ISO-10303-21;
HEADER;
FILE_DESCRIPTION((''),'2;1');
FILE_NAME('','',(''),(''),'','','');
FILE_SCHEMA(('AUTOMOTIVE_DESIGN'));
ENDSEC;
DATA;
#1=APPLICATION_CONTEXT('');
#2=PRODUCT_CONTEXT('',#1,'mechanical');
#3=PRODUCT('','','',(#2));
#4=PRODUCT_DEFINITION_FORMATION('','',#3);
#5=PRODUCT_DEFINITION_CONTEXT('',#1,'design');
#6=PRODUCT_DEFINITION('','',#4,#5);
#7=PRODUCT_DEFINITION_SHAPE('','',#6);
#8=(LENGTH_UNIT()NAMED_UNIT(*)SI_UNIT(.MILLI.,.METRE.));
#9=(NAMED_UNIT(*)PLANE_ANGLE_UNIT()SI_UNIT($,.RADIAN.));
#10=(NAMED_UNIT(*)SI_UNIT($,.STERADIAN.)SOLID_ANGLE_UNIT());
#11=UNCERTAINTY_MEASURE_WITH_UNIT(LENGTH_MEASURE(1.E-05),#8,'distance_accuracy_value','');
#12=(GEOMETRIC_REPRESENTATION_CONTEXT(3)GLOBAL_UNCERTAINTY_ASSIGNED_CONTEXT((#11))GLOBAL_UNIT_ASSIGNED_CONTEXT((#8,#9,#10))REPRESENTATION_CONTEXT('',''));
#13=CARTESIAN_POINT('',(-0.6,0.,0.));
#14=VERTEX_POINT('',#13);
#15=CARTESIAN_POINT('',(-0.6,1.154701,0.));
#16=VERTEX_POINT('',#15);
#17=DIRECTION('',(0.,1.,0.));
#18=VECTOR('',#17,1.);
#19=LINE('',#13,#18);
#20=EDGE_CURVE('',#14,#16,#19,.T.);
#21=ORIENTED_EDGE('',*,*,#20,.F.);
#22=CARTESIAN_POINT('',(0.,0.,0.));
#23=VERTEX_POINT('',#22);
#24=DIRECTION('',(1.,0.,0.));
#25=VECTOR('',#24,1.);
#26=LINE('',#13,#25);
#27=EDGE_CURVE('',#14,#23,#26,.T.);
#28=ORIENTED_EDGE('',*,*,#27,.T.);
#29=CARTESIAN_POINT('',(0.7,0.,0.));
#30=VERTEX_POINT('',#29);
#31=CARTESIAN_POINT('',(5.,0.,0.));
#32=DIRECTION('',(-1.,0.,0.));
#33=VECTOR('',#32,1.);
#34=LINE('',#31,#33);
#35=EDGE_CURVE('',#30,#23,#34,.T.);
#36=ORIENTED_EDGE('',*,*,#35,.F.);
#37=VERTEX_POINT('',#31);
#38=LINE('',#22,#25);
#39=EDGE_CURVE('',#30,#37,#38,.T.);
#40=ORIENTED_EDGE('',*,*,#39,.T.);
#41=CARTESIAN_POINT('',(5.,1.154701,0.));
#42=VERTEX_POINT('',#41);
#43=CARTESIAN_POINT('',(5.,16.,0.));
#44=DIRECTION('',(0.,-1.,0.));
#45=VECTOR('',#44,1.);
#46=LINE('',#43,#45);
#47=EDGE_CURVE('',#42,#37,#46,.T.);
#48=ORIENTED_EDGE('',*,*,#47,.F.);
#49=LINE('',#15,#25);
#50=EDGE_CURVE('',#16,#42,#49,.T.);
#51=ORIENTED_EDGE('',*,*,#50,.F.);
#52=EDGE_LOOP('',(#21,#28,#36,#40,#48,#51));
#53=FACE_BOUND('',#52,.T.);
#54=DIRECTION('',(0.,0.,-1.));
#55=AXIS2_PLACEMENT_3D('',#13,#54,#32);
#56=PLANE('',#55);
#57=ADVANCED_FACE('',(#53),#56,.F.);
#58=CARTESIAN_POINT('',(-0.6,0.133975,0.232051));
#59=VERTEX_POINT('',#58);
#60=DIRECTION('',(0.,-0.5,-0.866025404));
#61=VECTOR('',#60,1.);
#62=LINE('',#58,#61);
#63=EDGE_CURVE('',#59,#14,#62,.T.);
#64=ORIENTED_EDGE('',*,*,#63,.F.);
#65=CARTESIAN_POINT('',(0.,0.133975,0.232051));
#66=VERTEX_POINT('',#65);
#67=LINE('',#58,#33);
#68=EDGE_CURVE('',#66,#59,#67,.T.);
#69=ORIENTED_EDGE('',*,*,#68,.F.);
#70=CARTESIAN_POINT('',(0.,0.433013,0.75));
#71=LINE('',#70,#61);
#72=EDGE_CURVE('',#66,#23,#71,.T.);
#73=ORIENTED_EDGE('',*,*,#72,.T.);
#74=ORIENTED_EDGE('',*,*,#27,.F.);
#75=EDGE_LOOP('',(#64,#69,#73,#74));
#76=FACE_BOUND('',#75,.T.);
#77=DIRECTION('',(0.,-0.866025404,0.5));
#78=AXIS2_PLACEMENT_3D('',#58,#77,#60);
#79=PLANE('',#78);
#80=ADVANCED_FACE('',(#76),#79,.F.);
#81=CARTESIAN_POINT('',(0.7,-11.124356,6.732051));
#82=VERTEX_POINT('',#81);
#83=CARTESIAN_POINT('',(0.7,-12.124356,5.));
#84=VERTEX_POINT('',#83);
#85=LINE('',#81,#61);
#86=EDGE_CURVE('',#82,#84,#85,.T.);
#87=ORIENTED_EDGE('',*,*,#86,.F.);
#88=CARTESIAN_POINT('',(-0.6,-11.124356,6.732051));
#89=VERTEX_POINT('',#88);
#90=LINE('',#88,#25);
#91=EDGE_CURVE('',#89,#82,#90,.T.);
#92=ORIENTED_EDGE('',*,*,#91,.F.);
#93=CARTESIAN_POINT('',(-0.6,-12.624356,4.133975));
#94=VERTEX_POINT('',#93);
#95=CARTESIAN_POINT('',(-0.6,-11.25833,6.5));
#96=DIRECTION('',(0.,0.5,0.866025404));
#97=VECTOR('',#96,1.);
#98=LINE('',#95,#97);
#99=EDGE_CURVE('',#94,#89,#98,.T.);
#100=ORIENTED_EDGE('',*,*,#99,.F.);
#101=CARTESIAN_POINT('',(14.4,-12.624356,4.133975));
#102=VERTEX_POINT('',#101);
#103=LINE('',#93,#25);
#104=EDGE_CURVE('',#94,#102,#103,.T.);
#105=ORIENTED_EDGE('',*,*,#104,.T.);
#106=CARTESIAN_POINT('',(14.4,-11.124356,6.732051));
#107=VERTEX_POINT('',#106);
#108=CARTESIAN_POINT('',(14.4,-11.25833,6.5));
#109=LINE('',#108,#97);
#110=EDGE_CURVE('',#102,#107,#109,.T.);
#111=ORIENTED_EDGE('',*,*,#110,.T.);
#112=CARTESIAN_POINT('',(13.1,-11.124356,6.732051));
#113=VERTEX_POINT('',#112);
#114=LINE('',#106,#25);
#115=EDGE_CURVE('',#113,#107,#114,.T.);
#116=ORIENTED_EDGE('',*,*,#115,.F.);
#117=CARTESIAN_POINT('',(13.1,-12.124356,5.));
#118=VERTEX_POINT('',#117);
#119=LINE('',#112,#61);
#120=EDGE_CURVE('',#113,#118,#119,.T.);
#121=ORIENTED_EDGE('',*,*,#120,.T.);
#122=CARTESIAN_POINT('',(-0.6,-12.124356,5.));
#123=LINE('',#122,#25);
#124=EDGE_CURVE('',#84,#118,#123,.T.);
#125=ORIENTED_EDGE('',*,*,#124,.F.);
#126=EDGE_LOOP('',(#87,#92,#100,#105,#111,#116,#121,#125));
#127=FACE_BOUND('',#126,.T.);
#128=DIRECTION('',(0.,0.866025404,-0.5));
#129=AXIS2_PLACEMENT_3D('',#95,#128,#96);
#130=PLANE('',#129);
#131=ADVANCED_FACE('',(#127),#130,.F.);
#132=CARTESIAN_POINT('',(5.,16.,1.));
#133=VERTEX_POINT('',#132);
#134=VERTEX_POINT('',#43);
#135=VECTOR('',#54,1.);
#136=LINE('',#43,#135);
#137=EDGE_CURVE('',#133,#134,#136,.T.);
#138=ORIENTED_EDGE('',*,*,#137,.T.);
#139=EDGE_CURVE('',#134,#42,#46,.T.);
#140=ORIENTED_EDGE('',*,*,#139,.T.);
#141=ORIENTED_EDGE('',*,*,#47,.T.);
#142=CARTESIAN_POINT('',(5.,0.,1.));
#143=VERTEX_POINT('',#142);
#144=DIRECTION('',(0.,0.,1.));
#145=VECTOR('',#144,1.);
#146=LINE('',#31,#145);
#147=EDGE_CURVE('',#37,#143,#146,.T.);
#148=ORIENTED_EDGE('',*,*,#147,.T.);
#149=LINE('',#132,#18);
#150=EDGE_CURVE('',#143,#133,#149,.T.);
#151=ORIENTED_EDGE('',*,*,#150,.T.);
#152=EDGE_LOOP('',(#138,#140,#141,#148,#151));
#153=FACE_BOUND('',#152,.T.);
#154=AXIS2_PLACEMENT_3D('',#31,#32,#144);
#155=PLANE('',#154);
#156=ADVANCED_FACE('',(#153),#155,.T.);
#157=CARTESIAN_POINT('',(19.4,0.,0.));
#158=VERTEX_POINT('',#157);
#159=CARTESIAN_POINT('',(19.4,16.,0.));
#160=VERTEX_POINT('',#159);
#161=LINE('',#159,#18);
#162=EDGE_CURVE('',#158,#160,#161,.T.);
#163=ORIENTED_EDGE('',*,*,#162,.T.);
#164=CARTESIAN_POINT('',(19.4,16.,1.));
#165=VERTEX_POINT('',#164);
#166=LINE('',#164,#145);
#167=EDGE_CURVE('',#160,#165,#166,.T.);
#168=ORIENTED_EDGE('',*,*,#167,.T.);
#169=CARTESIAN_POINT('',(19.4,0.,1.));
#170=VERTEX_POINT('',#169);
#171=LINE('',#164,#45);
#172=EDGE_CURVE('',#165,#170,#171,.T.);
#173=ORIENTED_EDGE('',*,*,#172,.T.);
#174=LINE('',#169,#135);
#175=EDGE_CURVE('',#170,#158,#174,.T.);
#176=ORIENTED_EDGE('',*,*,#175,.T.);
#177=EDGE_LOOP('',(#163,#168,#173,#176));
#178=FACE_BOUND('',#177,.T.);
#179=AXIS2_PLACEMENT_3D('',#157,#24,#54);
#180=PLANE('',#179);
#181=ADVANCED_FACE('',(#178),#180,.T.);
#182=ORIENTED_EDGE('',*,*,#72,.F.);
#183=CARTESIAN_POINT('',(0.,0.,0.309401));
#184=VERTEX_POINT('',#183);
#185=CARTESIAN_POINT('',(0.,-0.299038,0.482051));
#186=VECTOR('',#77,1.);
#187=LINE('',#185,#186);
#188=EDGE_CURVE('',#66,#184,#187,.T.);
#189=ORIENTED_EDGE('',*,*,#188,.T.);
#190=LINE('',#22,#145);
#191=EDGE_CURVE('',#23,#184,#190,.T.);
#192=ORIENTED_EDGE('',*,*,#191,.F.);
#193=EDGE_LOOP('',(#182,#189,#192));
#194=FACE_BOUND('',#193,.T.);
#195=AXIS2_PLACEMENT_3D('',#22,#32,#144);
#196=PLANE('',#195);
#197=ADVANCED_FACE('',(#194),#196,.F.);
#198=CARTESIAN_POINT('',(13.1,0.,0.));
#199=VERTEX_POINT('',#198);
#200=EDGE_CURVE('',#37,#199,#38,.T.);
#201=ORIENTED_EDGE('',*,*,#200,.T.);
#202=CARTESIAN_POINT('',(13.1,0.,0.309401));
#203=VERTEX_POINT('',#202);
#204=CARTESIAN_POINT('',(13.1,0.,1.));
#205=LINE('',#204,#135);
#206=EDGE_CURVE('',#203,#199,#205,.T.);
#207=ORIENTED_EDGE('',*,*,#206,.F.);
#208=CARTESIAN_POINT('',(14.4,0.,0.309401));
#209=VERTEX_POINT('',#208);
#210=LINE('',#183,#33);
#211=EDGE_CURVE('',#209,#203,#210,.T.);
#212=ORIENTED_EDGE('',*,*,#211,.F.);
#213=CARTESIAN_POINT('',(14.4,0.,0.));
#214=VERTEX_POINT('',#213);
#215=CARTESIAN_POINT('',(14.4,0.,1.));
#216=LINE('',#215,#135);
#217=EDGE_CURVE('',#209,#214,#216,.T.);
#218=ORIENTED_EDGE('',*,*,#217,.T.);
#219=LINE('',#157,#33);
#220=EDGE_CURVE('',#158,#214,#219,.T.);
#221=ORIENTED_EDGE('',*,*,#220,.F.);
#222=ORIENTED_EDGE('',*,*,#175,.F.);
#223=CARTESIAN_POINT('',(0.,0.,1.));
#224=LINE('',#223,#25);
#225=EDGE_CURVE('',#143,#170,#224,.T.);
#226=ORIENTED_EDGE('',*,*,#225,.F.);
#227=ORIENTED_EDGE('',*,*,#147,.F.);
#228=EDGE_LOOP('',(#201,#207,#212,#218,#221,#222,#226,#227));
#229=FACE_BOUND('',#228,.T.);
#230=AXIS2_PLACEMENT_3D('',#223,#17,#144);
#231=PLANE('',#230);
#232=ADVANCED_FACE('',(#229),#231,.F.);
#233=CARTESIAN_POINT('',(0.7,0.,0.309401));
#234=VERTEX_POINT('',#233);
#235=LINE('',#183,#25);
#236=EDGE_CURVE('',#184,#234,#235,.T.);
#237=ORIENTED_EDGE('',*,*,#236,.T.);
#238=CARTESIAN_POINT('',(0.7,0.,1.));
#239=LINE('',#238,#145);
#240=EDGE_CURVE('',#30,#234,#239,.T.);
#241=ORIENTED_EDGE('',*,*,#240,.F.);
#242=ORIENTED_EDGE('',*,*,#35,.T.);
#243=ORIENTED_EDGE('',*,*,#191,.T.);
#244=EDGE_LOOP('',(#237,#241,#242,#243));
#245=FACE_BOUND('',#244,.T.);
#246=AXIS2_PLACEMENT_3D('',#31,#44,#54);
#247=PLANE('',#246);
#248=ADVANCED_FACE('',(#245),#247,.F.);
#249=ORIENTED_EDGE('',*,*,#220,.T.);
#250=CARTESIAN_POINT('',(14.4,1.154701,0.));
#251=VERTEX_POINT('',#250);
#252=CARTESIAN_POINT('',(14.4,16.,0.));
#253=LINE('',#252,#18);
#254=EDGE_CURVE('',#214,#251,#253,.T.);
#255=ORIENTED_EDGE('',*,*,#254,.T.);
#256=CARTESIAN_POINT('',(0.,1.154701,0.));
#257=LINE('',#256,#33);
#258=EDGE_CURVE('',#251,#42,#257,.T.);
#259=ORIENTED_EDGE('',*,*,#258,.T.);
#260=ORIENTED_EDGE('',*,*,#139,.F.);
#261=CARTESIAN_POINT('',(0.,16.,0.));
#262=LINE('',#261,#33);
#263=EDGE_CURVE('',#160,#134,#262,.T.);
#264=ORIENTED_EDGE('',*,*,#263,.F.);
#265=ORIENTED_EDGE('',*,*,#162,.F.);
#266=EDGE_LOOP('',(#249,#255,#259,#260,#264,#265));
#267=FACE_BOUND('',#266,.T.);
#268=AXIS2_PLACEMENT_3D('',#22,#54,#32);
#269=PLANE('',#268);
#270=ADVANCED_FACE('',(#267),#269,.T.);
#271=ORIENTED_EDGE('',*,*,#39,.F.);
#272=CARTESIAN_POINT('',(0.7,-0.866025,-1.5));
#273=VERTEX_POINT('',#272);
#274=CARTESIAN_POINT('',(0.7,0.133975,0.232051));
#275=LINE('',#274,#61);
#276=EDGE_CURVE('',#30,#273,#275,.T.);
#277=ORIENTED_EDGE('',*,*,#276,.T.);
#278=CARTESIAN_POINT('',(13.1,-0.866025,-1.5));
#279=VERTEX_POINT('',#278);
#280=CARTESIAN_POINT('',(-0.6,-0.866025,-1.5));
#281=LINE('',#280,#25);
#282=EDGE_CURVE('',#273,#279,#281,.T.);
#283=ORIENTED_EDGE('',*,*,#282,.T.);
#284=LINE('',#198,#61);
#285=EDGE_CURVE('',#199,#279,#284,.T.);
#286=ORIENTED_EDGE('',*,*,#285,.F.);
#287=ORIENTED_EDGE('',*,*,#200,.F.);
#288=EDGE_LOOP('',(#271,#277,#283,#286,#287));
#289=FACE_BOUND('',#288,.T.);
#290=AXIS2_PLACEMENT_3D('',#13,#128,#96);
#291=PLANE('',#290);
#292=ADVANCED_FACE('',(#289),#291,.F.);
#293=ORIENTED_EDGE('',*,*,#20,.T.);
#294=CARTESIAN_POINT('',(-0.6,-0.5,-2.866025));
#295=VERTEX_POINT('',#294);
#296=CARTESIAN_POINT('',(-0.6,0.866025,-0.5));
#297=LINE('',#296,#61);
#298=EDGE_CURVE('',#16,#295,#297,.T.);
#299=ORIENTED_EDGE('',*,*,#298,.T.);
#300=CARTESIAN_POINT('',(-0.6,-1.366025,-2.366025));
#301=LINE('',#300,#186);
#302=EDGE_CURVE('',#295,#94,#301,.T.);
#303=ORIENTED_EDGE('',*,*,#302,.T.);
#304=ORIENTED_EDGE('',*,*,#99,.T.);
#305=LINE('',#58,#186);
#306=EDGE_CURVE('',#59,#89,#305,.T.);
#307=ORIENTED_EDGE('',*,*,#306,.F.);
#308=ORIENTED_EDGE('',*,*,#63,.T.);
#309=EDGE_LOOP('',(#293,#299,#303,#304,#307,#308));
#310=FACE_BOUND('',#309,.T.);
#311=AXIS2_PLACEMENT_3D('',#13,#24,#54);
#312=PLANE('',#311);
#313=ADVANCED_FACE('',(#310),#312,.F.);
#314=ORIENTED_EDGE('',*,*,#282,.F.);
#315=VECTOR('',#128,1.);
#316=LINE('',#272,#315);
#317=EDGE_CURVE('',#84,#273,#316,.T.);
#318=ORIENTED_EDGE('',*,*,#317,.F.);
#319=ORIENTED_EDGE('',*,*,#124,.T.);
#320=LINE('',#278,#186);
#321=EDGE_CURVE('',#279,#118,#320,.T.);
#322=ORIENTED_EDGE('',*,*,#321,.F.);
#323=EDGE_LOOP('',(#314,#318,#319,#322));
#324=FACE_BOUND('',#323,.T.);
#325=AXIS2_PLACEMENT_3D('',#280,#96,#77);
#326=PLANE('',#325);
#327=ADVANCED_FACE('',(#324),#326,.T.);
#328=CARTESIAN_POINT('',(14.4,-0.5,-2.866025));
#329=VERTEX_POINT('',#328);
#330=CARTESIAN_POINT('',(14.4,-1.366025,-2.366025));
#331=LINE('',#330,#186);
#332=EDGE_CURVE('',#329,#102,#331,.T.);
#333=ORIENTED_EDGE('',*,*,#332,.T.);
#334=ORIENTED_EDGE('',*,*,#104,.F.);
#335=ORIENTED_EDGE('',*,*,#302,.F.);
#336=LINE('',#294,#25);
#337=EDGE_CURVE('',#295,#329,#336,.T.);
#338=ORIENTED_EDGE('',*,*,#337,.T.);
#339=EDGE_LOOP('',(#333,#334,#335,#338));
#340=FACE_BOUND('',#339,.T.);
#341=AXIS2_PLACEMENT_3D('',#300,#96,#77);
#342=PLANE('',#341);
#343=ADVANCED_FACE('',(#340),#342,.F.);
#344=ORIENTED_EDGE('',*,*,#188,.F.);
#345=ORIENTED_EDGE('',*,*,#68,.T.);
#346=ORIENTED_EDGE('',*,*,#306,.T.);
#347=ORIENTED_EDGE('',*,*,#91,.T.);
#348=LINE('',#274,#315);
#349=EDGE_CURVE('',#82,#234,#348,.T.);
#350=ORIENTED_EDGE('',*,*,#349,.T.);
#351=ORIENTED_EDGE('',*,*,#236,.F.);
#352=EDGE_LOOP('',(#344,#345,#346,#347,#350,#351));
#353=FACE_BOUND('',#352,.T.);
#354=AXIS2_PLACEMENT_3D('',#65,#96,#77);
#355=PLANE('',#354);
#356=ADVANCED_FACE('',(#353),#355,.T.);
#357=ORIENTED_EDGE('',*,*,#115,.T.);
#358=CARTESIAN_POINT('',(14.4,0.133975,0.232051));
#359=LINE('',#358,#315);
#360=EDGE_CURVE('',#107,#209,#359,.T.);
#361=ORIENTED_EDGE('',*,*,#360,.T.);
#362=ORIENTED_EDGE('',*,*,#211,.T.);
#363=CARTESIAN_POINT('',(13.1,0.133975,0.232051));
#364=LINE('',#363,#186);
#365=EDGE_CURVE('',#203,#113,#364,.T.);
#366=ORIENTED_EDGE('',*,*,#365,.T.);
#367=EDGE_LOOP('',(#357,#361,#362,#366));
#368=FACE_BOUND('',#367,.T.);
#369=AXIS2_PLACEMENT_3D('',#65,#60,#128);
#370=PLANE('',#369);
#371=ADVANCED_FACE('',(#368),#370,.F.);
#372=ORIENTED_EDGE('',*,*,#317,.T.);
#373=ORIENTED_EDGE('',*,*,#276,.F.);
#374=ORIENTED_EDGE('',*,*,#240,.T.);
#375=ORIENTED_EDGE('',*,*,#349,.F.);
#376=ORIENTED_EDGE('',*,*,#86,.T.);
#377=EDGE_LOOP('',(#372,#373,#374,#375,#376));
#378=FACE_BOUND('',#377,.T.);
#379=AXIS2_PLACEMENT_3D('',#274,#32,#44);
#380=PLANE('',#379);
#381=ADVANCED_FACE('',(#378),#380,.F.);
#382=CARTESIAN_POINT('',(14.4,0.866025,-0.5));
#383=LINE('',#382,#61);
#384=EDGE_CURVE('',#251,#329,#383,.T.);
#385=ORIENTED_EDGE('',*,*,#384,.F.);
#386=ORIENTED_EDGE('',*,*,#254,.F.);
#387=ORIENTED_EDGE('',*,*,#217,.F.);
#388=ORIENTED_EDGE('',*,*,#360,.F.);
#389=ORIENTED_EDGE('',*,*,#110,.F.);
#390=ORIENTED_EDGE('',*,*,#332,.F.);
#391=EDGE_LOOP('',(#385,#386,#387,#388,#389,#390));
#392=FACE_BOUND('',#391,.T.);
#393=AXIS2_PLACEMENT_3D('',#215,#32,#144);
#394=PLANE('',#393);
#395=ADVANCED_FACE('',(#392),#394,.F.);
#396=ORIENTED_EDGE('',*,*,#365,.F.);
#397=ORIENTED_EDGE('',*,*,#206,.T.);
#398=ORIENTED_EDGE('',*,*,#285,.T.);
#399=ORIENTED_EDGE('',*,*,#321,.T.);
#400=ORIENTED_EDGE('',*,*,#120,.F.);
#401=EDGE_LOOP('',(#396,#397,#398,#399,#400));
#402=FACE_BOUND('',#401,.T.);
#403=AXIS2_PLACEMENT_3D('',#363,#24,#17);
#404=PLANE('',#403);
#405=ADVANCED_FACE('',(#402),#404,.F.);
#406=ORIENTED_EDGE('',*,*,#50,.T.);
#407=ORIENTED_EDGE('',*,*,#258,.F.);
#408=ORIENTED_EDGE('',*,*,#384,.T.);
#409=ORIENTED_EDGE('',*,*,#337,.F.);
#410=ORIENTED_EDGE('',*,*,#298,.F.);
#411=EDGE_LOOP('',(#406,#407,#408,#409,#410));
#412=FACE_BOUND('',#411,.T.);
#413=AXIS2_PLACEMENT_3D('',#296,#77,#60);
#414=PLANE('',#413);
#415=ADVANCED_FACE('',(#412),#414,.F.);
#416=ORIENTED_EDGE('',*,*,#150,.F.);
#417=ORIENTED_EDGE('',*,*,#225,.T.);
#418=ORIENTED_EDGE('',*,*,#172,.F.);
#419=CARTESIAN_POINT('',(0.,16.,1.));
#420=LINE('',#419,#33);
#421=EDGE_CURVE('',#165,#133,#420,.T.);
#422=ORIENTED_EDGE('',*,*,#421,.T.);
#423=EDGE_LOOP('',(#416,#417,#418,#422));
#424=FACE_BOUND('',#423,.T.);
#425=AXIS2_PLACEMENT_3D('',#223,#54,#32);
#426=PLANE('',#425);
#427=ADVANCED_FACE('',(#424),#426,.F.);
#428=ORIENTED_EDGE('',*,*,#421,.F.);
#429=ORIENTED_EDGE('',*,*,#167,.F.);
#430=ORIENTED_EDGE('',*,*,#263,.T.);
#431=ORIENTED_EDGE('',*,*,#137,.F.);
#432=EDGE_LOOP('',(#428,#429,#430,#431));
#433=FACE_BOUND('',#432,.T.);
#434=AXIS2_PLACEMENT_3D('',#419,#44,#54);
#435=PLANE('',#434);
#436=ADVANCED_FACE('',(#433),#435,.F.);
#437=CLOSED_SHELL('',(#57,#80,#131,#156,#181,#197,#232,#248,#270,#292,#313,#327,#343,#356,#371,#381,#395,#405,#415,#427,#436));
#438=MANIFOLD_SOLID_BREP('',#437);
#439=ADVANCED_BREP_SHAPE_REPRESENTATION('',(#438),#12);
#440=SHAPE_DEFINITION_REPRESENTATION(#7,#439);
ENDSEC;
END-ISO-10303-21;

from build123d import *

# Parameters (mm, degrees)
SKIZZE1_W                       = 14.4
SKIZZE1_H                       = 16
AUFSATZ_LINEAR_AUSTRAGEN1_DEPTH = 1
AUFSATZ_LINEAR_AUSTRAGEN4_DEPTH = 15
SKIZZE9_W                       = 1.3
SKIZZE9_H                       = 13
AUFSATZ_LINEAR_AUSTRAGEN5_DEPTH = 2
SKIZZE10_W                      = 1
SKIZZE10_H                      = 16
AUFSATZ_LINEAR_AUSTRAGEN6_DEPTH = 5
SKIZZE13_W                      = 1
SKIZZE13_H                      = 16
SCHNITT_LINEAR_AUSTRAGEN4_DEPTH = 5


with BuildPart() as part:
    # Skizze1 → Aufsatz-Linear austragen1 (new body)
    with BuildSketch(Plane.XY):
        with Locations((7.2, 8)):
            Rectangle(SKIZZE1_W, SKIZZE1_H)
    extrude(amount=AUFSATZ_LINEAR_AUSTRAGEN1_DEPTH)

    # Skizze4 → Aufsatz-Linear austragen4 (add)
    with BuildSketch(Plane(origin=(14.4, 0, 0), x_dir=(0, 0, -1), z_dir=(1, 0, 0))):
        Polygon((0, 1.154700538), (0, 0), (1.5, -0.866025404), (-5, -12.124355653), (-4.133974596, -12.624355653), (2.866025404, -0.5), align=None)
    extrude(amount=-AUFSATZ_LINEAR_AUSTRAGEN4_DEPTH)

    # Skizze9 → Aufsatz-Linear austragen5 (add)
    with BuildSketch(Plane(origin=(0, -0.866025404, -1.5), x_dir=(1, 0, 0), z_dir=(0, 0.49999999999999484, 0.8660254037844418))):
        with Locations((13.75, -6.5)):
            Rectangle(SKIZZE9_W, SKIZZE9_H)
        with Locations((0.05, -6.5)):
            Rectangle(SKIZZE9_W, SKIZZE9_H)
    extrude(amount=AUFSATZ_LINEAR_AUSTRAGEN5_DEPTH)

    # Skizze10 → Aufsatz-Linear austragen6 (add)
    with BuildSketch(Plane(origin=(14.4, 0, 0), x_dir=(0, 0, -1), z_dir=(1, 0, 0))):
        with Locations((-0.5, 8)):
            Rectangle(SKIZZE10_W, SKIZZE10_H)
    extrude(amount=AUFSATZ_LINEAR_AUSTRAGEN6_DEPTH)

    # Skizze13 → Schnitt-Linear austragen4 (cut)
    with BuildSketch(Plane.ZY):
        with Locations((0.5, 8)):
            Rectangle(SKIZZE13_W, SKIZZE13_H)
    extrude(amount=-SCHNITT_LINEAR_AUSTRAGEN4_DEPTH, mode=Mode.SUBTRACT)


solid = part.part
